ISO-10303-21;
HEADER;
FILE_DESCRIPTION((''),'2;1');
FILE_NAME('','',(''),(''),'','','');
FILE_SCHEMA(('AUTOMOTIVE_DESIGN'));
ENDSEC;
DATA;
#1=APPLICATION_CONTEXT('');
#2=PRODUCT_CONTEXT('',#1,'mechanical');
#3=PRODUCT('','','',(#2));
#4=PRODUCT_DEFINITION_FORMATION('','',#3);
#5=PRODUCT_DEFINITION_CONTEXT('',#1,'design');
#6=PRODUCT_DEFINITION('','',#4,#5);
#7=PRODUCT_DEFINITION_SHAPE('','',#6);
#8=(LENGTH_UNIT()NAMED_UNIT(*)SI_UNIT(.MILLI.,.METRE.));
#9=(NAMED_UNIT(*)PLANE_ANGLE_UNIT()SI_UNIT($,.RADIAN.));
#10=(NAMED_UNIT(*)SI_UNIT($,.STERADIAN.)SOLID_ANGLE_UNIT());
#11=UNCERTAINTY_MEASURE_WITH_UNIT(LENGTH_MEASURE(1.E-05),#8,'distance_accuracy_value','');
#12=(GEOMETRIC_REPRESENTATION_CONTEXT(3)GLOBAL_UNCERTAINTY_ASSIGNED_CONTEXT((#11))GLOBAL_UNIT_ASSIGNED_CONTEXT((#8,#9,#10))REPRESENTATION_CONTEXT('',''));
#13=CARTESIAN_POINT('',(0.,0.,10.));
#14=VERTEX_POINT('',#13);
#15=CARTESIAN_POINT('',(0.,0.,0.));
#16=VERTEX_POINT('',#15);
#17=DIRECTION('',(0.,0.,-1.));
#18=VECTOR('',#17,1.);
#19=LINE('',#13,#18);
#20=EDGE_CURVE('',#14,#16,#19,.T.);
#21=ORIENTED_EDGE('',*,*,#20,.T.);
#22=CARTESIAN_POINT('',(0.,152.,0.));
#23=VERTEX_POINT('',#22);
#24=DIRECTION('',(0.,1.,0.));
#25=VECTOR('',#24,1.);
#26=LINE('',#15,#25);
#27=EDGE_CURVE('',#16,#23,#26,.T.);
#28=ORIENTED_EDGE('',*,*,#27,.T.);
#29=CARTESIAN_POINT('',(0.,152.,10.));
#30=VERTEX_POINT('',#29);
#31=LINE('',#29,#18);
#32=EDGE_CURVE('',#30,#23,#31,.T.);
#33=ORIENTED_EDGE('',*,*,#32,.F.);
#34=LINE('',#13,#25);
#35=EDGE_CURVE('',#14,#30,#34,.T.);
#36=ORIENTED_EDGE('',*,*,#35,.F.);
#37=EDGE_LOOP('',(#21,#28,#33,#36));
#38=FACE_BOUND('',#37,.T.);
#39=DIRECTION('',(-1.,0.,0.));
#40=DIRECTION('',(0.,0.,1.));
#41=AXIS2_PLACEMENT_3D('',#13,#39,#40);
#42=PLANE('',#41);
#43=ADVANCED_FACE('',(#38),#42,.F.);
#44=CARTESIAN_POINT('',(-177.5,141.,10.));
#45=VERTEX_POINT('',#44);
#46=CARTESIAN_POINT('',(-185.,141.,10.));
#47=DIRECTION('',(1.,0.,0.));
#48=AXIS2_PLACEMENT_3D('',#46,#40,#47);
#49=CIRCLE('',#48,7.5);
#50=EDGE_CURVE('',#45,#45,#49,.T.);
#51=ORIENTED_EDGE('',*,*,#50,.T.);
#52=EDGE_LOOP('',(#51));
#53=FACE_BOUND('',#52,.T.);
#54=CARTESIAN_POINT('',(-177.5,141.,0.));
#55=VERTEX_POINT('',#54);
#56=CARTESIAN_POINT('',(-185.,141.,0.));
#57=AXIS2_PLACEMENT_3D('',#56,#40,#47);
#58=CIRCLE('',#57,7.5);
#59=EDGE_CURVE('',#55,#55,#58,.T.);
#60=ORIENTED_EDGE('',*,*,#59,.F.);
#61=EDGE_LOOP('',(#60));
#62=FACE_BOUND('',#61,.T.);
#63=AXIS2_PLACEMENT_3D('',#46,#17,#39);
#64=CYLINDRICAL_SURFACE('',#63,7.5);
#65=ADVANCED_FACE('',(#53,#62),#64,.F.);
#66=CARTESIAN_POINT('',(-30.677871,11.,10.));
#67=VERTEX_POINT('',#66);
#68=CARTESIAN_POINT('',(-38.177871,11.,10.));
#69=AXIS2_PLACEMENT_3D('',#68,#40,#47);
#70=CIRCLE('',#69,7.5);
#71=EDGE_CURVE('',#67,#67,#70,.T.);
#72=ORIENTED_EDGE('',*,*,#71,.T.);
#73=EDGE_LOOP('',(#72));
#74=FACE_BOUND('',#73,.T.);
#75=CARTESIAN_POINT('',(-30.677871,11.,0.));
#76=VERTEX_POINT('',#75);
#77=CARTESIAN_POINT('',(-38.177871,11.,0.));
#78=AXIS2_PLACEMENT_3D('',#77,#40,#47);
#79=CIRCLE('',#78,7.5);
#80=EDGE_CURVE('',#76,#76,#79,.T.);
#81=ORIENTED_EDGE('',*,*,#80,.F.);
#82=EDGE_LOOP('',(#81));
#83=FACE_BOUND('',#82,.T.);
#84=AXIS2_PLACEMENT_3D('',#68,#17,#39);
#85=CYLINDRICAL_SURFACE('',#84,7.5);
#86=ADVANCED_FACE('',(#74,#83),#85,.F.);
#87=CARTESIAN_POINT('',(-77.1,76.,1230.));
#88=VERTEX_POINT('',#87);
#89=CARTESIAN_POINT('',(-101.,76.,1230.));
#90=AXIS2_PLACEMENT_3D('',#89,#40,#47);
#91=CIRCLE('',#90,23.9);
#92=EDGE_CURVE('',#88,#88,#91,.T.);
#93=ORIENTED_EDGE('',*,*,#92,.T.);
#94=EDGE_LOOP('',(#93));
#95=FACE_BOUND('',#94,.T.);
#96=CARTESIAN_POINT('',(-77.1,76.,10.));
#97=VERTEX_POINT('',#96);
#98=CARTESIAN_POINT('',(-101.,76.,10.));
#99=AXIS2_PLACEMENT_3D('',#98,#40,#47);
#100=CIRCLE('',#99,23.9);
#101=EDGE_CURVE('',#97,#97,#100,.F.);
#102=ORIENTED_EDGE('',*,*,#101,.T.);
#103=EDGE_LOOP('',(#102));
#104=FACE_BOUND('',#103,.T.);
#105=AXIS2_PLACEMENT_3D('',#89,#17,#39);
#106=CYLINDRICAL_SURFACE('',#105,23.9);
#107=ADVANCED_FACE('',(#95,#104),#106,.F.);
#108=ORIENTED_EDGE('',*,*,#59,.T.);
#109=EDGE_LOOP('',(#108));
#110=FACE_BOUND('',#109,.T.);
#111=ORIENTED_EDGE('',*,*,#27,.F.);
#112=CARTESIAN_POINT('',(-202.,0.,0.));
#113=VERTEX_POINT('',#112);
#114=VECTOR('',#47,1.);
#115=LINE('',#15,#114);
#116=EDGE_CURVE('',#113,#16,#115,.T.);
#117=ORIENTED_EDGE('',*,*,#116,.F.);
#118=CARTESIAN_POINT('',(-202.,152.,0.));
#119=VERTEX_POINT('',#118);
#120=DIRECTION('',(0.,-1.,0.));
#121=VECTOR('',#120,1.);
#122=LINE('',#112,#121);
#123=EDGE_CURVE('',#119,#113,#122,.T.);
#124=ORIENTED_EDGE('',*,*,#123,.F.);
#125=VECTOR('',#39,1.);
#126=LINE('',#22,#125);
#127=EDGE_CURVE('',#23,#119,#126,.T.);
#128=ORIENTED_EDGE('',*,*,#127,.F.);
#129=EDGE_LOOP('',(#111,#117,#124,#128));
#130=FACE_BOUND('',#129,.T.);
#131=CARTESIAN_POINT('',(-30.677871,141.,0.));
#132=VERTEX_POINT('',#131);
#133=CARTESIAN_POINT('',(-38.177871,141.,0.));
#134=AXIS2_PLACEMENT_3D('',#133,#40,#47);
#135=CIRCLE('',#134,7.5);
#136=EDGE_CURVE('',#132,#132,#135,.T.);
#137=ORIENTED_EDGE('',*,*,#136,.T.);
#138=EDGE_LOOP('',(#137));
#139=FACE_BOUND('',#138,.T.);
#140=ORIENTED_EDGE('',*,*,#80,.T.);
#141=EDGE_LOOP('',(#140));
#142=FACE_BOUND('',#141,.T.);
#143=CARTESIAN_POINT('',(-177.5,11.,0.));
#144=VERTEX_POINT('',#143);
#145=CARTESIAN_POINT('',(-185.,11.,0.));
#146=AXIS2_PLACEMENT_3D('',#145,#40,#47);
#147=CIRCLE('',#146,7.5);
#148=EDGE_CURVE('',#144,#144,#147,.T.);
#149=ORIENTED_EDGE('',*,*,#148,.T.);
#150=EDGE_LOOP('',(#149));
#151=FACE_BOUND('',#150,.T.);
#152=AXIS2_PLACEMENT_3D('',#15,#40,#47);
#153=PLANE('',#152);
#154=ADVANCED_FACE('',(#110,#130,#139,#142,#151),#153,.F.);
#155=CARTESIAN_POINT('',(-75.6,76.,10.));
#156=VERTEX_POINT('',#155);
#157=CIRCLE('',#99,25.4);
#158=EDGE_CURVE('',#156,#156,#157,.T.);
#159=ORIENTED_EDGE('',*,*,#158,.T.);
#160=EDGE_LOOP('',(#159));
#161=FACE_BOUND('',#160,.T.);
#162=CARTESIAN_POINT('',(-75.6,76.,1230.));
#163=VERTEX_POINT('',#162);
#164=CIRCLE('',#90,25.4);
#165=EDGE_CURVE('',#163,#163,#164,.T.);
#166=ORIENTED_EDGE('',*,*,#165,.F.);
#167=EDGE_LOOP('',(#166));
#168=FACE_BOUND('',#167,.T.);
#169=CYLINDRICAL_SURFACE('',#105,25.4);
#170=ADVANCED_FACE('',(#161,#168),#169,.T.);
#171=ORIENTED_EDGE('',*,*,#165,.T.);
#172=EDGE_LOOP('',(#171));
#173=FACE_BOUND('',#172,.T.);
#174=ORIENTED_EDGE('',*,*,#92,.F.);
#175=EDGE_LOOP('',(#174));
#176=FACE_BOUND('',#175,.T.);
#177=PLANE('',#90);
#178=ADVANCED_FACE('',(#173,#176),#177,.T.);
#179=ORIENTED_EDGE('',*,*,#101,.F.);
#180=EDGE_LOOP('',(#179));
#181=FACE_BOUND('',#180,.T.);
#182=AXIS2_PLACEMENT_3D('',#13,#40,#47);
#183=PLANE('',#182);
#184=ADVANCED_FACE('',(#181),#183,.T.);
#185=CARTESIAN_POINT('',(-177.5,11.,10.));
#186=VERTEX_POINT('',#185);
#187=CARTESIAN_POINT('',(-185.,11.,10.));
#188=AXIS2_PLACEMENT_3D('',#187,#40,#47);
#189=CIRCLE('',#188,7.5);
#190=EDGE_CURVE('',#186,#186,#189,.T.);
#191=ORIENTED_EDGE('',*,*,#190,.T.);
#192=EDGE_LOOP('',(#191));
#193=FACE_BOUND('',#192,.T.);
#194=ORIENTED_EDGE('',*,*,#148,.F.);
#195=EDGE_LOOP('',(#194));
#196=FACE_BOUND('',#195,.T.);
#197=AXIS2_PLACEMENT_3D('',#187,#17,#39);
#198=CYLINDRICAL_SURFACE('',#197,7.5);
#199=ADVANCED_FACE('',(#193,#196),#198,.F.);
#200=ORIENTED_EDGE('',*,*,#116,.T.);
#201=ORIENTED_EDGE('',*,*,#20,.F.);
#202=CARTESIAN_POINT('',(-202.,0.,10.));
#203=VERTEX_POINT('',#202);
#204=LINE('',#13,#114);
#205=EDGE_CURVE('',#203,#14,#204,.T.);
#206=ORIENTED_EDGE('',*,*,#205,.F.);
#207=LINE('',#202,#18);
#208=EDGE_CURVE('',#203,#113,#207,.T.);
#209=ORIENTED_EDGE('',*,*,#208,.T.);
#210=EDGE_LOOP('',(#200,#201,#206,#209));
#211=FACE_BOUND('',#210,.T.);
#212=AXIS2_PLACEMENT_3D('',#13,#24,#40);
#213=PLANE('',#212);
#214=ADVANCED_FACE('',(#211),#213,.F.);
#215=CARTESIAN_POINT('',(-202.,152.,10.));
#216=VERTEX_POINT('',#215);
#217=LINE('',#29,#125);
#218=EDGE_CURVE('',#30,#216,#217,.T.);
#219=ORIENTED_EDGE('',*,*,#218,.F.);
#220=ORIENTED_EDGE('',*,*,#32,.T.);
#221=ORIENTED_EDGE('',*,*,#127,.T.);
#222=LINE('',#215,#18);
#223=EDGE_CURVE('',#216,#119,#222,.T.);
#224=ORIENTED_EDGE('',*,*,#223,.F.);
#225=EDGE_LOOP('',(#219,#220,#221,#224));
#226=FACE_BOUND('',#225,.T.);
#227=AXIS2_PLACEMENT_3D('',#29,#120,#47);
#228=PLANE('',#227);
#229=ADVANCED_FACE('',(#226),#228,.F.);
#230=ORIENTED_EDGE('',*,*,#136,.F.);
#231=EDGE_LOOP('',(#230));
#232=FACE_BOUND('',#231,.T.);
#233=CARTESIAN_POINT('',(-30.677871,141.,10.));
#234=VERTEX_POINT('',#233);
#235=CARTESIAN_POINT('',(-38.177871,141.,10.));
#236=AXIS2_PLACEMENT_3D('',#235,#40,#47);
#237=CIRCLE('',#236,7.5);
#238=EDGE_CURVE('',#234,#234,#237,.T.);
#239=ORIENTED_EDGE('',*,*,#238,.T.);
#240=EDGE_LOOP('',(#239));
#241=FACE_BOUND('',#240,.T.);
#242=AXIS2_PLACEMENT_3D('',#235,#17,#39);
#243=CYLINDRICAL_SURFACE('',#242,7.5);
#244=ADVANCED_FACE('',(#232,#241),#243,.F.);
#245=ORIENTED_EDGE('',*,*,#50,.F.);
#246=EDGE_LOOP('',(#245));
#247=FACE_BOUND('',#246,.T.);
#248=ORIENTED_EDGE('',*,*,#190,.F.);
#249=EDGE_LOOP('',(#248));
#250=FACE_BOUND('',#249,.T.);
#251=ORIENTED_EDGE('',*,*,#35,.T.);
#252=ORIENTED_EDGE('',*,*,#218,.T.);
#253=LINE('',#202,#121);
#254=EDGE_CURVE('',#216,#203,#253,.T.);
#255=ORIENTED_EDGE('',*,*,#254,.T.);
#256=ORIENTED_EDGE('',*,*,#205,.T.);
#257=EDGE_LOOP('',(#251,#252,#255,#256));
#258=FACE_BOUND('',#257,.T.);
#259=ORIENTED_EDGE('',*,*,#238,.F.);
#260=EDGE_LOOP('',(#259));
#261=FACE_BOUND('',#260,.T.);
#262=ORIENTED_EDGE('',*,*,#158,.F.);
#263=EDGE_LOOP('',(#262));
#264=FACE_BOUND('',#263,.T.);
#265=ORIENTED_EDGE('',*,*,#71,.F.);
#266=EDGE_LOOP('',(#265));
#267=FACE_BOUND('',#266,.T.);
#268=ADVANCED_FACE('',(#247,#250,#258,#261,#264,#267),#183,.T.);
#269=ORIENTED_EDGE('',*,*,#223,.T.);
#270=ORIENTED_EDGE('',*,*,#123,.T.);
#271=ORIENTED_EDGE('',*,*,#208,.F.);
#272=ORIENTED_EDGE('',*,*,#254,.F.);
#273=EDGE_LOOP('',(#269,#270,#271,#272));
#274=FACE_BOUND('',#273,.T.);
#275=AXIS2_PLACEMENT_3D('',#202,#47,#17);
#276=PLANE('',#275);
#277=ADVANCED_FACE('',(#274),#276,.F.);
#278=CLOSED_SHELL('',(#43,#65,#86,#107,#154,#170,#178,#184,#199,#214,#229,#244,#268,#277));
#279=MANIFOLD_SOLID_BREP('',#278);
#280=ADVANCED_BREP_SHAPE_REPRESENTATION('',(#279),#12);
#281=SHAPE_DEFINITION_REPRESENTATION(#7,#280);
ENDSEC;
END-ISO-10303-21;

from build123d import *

# Parameters (mm, degrees)
SKETCH1_W           = 202
SKETCH1_H           = 152
SKETCH1_R           = 7.5
BOSS_EXTRUDE1_DEPTH = 10
SKETCH2_R           = 25.4
SKETCH2_R_2         = 23.9
BOSS_EXTRUDE2_DEPTH = 1220


with BuildPart() as part:
    # Sketch1 → Boss-Extrude1 (new body)
    with BuildSketch(Plane.XY):
        with Locations((-101, 76)):
            Rectangle(SKETCH1_W, SKETCH1_H)
        with Locations((-185, 141)):
            Circle(SKETCH1_R, mode=Mode.SUBTRACT)
        with Locations((-185, 11)):
            Circle(SKETCH1_R, mode=Mode.SUBTRACT)
        with Locations((-38.177870513, 141)):
            Circle(SKETCH1_R, mode=Mode.SUBTRACT)
        with Locations((-38.177870513, 11)):
            Circle(SKETCH1_R, mode=Mode.SUBTRACT)
    extrude(amount=BOSS_EXTRUDE1_DEPTH)

    # Sketch2 → Boss-Extrude2 (add)
    with BuildSketch(Plane.XY.offset(10)):
        with Locations((-101, 76)):
            Circle(SKETCH2_R)
        with Locations((-101, 76)):
            Circle(SKETCH2_R_2, mode=Mode.SUBTRACT)
    extrude(amount=BOSS_EXTRUDE2_DEPTH)


solid = part.part
